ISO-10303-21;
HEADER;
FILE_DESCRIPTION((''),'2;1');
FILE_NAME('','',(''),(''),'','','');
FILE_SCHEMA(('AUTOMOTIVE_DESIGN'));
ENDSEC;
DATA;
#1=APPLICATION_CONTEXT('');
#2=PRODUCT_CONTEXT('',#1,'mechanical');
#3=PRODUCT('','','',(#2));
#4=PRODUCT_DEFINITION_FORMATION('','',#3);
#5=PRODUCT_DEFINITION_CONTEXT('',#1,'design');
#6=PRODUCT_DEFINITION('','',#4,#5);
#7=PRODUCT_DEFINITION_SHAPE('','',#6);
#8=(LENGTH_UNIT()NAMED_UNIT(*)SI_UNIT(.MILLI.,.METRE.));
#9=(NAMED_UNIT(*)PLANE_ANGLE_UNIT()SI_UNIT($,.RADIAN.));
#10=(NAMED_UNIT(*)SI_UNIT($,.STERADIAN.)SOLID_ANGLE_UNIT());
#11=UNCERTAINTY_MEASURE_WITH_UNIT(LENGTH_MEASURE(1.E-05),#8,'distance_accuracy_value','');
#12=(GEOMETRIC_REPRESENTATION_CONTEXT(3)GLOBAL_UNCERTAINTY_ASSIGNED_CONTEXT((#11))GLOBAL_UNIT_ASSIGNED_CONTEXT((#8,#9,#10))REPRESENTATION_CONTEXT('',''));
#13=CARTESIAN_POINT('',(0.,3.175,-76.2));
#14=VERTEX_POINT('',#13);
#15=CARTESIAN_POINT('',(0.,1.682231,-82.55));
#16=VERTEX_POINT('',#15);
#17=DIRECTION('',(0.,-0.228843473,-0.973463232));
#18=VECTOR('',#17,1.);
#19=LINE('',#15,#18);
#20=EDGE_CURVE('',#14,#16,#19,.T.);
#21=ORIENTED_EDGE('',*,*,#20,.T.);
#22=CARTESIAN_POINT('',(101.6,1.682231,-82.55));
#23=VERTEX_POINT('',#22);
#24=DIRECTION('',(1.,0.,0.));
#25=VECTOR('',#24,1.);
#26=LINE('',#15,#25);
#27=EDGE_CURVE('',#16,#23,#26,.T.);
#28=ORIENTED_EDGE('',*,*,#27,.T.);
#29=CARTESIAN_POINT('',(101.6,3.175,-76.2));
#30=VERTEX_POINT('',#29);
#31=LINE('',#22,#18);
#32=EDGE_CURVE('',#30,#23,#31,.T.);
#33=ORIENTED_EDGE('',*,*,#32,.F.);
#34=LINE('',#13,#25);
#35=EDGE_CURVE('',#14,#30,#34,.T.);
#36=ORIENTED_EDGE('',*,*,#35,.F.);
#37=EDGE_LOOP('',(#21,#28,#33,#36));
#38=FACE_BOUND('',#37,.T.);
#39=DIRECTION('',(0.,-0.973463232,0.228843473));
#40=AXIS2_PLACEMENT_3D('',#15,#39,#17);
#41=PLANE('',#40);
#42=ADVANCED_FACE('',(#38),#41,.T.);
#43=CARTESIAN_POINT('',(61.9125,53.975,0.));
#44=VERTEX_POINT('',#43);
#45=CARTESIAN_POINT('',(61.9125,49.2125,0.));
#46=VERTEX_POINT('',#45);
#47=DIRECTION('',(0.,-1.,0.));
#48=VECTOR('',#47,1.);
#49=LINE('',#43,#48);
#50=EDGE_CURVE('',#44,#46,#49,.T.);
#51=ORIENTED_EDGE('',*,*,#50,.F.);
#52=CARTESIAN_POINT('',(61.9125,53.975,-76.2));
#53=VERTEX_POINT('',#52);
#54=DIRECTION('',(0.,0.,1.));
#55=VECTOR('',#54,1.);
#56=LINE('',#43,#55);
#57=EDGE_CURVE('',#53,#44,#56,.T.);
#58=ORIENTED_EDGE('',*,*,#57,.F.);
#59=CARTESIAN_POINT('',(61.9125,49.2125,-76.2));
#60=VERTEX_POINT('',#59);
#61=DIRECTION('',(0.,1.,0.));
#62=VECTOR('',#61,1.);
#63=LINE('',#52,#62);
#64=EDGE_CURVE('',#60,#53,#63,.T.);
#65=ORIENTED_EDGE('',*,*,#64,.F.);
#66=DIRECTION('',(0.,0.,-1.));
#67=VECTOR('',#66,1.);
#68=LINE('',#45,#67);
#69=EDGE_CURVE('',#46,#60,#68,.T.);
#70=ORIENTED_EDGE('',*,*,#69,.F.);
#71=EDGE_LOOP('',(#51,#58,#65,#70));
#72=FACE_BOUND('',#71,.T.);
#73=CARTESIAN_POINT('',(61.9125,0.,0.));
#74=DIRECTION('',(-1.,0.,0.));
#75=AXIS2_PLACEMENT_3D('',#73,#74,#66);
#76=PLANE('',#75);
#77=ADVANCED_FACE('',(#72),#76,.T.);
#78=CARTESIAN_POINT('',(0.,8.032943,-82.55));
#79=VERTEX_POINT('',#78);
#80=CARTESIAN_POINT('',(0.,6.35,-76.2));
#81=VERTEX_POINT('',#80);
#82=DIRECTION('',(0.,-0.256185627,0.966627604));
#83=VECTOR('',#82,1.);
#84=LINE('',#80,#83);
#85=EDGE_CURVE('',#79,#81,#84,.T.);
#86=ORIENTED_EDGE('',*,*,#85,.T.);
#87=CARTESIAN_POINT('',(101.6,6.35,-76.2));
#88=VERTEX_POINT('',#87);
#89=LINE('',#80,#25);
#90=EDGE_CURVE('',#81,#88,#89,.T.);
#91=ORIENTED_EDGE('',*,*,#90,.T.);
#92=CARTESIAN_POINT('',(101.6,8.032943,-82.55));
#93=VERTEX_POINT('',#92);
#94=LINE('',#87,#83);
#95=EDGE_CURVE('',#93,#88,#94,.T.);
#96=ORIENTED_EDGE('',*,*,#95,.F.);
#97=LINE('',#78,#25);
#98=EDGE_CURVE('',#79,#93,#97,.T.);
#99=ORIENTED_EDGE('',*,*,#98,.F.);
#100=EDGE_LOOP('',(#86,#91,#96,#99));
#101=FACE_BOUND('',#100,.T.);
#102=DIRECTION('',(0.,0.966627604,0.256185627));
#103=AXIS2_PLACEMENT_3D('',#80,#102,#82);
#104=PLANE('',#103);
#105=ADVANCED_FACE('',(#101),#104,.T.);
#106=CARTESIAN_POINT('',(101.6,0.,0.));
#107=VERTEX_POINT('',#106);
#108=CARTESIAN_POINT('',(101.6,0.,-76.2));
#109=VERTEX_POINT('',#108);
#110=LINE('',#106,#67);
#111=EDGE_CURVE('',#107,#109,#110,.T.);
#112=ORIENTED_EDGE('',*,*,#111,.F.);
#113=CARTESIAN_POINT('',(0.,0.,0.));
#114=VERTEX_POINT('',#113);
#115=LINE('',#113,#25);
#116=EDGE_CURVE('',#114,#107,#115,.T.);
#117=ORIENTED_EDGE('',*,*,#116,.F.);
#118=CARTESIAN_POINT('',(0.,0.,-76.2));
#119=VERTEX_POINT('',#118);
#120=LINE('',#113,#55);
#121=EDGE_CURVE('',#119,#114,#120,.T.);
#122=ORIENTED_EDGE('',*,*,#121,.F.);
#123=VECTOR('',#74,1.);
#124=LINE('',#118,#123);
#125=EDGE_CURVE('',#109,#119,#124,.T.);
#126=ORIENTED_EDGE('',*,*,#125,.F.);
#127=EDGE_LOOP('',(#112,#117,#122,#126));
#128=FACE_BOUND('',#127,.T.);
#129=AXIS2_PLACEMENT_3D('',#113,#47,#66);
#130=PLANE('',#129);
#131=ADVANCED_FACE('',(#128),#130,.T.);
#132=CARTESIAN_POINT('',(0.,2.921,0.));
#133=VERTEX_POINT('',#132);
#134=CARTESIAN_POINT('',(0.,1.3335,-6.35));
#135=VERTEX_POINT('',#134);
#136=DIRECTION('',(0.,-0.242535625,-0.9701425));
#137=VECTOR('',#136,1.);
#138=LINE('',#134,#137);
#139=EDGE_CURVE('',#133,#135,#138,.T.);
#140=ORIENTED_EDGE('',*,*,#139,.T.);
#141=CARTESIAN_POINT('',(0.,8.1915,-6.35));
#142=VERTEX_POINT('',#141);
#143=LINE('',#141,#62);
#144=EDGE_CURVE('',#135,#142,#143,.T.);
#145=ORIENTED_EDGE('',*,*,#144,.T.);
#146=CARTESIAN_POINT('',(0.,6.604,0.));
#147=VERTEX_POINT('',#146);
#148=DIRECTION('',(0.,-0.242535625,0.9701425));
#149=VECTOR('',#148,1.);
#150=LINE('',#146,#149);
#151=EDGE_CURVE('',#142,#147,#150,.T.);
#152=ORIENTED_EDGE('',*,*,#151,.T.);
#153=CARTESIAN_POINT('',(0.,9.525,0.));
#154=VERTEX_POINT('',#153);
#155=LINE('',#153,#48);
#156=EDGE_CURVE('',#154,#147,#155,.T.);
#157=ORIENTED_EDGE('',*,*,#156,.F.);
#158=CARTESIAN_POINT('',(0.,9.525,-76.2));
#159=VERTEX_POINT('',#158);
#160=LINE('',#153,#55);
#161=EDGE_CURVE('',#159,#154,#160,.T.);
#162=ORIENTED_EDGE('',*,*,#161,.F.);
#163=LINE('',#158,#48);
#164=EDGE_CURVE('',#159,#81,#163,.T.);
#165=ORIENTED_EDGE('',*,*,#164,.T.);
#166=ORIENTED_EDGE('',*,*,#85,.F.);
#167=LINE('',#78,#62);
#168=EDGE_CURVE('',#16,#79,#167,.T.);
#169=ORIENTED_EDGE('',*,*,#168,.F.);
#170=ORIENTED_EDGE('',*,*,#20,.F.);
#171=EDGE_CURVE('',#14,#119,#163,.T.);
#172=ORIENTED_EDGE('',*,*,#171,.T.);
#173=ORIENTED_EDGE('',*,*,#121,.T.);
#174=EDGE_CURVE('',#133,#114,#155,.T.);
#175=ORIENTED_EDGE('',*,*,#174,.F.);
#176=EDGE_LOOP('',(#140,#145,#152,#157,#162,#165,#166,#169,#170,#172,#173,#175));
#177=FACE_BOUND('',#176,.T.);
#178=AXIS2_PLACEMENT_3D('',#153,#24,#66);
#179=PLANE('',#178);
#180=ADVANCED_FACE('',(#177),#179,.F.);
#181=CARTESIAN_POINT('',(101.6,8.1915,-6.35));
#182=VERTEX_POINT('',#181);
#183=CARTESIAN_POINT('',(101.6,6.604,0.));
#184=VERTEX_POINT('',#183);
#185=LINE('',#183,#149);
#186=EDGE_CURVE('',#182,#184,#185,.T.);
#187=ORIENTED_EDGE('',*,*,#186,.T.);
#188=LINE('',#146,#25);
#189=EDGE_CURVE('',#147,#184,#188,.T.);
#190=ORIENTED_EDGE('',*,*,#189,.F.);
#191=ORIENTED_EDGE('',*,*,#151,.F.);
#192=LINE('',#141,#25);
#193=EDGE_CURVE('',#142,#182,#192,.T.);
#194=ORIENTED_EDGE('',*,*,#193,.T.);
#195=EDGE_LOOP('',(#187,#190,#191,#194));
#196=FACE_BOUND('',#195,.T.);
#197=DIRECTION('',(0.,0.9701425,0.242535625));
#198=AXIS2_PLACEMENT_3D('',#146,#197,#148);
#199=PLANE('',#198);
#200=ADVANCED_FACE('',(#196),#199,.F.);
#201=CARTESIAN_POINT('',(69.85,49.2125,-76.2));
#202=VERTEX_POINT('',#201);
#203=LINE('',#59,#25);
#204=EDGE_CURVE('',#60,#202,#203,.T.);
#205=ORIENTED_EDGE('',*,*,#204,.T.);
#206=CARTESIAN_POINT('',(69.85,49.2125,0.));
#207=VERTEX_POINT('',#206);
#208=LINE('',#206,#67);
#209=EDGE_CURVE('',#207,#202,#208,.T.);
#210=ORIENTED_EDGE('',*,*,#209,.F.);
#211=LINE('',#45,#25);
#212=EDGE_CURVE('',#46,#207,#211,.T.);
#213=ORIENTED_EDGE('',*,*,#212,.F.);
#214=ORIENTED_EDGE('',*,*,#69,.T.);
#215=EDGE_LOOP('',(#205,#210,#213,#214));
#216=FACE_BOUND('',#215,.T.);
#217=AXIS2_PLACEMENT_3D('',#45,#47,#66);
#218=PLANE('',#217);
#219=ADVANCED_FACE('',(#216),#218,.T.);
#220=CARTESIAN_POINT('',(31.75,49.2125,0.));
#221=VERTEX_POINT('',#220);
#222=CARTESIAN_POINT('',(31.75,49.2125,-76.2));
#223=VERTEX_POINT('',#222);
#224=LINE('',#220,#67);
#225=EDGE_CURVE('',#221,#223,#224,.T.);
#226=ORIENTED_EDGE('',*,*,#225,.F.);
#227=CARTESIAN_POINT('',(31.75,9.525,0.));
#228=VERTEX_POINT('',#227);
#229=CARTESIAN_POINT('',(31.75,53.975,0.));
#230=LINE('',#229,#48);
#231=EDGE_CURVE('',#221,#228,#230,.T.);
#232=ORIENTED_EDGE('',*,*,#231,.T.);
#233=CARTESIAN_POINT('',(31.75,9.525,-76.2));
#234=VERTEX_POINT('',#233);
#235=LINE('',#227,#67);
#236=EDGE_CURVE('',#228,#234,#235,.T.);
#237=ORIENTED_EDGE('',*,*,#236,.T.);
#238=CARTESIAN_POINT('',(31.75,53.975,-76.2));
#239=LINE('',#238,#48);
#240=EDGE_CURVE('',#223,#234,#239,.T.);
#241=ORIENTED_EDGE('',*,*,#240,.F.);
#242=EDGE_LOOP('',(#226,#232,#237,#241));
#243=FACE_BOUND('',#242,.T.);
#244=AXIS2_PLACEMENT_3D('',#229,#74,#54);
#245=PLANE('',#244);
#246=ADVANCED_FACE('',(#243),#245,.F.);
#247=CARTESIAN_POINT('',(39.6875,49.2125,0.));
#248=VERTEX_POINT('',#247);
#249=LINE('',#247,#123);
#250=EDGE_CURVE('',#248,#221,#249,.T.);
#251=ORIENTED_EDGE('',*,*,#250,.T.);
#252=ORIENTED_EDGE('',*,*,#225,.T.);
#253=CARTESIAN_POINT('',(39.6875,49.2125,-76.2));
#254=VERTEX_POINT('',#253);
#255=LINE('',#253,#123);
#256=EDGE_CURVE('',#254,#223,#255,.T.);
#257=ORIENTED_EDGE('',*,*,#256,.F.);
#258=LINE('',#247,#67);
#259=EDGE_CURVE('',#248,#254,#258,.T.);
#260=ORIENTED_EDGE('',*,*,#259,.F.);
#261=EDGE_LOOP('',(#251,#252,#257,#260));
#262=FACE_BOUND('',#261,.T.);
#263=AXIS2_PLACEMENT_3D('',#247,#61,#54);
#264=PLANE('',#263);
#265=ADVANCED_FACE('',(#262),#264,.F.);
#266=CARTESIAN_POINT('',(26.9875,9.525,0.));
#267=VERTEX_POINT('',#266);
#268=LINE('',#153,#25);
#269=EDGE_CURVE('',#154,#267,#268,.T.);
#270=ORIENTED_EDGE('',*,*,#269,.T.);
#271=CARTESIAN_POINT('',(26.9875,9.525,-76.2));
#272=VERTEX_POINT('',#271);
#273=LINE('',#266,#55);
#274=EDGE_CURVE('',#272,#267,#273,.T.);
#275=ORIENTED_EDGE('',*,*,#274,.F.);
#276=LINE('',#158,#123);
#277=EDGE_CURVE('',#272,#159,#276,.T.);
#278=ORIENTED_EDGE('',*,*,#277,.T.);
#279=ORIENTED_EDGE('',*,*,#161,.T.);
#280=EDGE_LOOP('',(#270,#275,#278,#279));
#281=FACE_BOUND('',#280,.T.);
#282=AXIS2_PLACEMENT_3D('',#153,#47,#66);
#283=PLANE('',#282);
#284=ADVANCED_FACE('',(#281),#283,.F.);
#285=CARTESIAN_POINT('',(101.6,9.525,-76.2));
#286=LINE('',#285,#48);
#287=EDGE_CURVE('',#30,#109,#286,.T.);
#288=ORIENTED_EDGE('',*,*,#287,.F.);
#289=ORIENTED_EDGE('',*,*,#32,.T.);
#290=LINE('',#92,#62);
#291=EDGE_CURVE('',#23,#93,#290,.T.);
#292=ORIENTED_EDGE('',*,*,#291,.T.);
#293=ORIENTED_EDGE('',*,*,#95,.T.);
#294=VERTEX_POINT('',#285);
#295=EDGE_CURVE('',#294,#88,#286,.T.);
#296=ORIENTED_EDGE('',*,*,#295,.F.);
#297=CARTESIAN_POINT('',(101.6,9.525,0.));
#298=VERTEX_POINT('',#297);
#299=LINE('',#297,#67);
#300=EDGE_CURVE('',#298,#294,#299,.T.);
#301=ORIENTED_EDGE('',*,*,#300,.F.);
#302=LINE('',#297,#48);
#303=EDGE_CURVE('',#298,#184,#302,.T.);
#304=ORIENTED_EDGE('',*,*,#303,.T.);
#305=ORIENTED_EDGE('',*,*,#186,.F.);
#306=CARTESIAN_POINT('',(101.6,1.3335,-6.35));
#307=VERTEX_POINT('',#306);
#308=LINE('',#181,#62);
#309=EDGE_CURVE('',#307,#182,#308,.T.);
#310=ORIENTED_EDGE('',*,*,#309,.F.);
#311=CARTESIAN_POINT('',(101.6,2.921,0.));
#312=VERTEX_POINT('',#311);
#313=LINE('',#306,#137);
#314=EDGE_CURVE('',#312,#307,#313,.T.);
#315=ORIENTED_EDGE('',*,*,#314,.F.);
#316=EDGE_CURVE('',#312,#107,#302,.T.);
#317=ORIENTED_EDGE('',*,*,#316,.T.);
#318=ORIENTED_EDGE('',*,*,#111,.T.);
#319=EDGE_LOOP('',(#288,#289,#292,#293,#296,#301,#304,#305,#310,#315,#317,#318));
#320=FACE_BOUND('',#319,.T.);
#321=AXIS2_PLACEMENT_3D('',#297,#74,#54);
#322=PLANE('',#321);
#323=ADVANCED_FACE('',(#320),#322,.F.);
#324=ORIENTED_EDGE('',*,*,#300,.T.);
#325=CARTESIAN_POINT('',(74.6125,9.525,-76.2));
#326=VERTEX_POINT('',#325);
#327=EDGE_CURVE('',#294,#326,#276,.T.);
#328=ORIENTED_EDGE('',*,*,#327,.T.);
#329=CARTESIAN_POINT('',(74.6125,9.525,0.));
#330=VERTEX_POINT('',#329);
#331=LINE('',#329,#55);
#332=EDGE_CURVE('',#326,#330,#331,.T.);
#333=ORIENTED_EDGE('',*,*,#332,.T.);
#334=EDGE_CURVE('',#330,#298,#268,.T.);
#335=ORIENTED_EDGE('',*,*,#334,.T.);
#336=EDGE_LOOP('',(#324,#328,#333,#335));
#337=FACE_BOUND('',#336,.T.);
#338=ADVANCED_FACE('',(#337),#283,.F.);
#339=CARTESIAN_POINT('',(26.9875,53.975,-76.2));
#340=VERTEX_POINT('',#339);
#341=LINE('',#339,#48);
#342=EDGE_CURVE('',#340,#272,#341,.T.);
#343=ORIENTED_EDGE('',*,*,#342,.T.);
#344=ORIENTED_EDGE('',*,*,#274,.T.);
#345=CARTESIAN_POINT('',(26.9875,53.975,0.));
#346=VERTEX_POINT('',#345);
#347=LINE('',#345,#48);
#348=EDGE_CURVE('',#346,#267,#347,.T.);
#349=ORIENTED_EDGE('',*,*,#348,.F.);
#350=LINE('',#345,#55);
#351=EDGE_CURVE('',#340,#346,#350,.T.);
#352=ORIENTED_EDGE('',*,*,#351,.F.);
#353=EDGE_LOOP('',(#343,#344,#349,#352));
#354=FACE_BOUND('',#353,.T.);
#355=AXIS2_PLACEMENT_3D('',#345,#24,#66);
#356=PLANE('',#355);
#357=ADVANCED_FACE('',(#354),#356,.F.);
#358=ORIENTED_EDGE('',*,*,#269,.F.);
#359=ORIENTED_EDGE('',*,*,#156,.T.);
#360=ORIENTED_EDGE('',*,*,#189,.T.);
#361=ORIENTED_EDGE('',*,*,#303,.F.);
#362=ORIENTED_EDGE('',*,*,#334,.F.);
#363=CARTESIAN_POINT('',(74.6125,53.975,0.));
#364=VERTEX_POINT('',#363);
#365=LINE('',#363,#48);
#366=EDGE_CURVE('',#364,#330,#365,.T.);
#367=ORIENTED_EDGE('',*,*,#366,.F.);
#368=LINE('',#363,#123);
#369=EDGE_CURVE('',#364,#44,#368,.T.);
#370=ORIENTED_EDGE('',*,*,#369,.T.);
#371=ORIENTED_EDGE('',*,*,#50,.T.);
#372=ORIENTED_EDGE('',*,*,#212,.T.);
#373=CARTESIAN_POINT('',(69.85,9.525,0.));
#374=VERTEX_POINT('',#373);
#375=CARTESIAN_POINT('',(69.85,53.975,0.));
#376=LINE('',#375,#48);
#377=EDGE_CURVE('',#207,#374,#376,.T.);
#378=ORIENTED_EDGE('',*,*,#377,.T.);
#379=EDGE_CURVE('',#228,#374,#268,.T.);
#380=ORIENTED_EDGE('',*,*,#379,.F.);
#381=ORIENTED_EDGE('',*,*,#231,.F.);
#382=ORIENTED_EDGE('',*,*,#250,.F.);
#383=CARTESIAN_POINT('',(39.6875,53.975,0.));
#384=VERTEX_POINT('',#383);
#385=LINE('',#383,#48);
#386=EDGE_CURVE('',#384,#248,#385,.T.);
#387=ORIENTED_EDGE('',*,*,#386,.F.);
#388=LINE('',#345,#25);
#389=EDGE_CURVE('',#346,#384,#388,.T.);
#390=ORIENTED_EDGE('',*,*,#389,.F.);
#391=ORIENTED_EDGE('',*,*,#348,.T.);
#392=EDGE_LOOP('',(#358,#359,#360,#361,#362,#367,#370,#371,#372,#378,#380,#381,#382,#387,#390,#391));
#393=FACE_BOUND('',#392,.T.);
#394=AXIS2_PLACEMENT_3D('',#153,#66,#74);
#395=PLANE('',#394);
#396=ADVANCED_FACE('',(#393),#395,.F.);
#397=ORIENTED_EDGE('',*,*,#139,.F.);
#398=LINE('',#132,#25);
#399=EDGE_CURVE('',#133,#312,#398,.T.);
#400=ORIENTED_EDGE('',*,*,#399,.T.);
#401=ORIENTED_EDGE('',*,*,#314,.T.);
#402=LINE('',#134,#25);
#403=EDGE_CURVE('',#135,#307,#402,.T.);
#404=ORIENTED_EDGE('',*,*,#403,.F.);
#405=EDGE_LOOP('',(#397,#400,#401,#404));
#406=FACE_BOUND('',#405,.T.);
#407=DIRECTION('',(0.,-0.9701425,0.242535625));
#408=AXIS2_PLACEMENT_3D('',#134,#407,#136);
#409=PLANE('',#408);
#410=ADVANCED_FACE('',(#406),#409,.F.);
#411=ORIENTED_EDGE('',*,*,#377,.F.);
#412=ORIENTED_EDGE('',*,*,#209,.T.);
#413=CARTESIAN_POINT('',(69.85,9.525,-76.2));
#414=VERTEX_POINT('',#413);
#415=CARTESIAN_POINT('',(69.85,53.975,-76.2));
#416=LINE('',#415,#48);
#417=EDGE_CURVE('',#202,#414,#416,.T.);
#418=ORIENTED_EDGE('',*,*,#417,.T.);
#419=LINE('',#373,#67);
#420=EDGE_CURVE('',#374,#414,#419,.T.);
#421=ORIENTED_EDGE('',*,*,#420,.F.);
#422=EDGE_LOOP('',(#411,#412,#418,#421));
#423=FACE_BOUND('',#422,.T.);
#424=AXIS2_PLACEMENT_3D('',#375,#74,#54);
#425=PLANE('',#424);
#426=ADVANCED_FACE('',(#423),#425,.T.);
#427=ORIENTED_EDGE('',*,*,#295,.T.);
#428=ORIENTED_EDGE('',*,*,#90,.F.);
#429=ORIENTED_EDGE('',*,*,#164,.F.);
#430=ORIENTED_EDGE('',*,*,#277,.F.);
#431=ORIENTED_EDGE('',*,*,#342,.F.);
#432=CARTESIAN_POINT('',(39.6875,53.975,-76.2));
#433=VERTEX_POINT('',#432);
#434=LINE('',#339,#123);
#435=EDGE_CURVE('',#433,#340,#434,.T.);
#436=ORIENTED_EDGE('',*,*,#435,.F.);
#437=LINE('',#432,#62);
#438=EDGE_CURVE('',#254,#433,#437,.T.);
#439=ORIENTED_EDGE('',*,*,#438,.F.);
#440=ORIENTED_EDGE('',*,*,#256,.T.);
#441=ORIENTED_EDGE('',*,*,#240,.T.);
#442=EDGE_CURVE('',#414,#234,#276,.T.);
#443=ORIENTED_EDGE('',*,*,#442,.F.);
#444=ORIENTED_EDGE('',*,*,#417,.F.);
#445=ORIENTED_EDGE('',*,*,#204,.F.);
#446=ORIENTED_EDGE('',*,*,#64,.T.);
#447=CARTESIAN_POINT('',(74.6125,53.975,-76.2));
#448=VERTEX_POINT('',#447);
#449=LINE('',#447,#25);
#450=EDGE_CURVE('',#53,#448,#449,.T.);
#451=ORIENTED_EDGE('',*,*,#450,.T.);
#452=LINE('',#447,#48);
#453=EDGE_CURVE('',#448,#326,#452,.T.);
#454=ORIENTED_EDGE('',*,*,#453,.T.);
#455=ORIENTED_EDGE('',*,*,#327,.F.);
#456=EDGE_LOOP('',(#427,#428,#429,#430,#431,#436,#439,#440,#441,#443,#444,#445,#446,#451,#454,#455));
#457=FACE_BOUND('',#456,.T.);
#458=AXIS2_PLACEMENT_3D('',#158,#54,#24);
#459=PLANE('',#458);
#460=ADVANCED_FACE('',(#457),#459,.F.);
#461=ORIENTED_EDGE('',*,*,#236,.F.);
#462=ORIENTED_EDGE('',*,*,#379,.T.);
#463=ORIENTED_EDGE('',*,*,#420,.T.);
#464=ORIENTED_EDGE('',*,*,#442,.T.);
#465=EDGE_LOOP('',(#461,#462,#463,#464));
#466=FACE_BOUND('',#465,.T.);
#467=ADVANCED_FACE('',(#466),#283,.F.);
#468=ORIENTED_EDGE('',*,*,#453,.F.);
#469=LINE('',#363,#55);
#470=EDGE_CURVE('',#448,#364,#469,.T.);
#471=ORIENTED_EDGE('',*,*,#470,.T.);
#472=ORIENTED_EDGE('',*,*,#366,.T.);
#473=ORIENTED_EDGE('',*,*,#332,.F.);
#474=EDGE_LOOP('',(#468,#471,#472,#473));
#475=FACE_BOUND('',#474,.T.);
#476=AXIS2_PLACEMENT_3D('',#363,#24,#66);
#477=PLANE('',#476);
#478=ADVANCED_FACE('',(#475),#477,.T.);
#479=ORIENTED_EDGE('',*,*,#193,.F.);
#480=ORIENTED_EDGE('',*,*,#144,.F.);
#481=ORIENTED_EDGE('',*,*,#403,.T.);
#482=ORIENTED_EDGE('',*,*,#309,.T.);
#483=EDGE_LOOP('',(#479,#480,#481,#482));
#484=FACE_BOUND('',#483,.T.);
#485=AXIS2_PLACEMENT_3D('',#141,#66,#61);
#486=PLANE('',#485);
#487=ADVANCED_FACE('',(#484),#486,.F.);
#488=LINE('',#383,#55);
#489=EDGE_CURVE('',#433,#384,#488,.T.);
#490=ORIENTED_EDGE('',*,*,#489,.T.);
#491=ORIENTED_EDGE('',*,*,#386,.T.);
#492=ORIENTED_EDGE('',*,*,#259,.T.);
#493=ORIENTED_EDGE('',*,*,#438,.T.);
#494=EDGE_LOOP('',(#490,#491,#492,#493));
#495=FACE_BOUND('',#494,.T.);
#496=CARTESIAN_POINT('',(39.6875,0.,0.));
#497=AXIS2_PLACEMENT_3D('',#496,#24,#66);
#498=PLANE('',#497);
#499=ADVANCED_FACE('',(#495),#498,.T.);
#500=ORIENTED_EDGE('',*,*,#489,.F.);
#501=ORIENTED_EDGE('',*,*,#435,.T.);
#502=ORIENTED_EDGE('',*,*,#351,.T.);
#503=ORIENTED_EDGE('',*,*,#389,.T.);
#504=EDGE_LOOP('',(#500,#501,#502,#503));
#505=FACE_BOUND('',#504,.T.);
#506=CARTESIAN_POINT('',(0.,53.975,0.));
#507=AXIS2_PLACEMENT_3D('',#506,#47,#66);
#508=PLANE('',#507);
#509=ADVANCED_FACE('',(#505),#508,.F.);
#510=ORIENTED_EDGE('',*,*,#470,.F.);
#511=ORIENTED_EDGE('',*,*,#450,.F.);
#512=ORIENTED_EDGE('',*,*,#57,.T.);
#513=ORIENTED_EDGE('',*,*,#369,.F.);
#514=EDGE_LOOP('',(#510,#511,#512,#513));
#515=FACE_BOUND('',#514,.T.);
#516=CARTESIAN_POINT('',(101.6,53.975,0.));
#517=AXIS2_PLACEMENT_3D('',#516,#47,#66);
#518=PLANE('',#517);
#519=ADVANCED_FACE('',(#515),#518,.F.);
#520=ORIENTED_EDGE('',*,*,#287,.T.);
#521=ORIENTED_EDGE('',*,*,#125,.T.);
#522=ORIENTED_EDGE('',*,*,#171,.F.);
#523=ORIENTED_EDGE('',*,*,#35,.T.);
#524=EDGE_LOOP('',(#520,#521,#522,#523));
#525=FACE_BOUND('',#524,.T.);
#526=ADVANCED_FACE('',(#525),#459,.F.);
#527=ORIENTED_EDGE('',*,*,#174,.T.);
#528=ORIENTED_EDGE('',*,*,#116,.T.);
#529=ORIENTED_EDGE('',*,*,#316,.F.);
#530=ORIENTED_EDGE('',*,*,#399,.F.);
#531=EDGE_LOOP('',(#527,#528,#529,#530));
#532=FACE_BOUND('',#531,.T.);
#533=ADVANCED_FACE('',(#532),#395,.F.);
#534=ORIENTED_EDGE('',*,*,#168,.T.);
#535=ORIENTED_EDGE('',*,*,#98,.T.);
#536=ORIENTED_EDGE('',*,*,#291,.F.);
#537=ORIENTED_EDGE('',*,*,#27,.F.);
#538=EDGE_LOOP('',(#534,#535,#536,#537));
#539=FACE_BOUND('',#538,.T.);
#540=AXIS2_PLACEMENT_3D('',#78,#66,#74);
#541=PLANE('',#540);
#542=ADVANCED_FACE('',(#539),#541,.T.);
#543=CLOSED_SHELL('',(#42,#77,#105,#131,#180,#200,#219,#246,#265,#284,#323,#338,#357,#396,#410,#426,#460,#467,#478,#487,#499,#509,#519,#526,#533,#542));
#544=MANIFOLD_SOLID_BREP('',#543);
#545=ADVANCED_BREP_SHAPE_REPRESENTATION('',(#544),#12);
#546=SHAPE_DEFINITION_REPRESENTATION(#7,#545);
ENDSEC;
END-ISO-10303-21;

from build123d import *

# Parameters (mm, degrees)
SKETCH1_W           = 101.6
SKETCH1_H           = 76.2
BOSS_EXTRUDE1_DEPTH = 9.525
SKETCH2_W           = 4.7625
SKETCH2_H           = 76.2
BOSS_EXTRUDE2_DEPTH = 44.45
SKETCH3_W           = 76.2
SKETCH3_H           = 4.7625
BOSS_EXTRUDE3_DEPTH = 7.9375
BOSS_EXTRUDE4_DEPTH = 101.6
CUT_EXTRUDE1_DEPTH  = 142.599304818


with BuildPart() as part:
    # Sketch1 → Boss-Extrude1 (new body)
    with BuildSketch(Plane(origin=(0, 0, 0), x_dir=(1, 0, 0), z_dir=(0, 1, 0))):
        with Locations((50.8, 38.1)):
            Rectangle(SKETCH1_W, SKETCH1_H)
    extrude(amount=BOSS_EXTRUDE1_DEPTH)

    # Sketch2 → Boss-Extrude2 (add)
    with BuildSketch(Plane(origin=(0, 9.525, 0), x_dir=(1, 0, 0), z_dir=(0, 1, 0))):
        with Locations((29.36875, 38.1)):
            Rectangle(SKETCH2_W, SKETCH2_H)
    boss_extrude2 = extrude(amount=BOSS_EXTRUDE2_DEPTH)

    # Sketch3 → Boss-Extrude3 (add)
    with BuildSketch(Plane(origin=(31.75, 0, 0), x_dir=(0, 0, -1), z_dir=(1, 0, 0))):
        with Locations((38.1, 51.59375)):
            Rectangle(SKETCH3_W, SKETCH3_H)
    boss_extrude3 = extrude(amount=BOSS_EXTRUDE3_DEPTH)

    # Mirror1: Boss-Extrude2, Boss-Extrude3 across plane
    add(boss_extrude2.mirror(Plane(origin=(50.8, 0, 0), x_dir=(0, 0, 1), z_dir=(1, 0, 0))))
    add(boss_extrude3.mirror(Plane(origin=(50.8, 0, 0), x_dir=(0, 0, 1), z_dir=(1, 0, 0))))

    # Sketch7 → Boss-Extrude4 (add)
    with BuildSketch(Plane(origin=(101.6, 0, 0), x_dir=(0, 0, -1), z_dir=(1, 0, 0))):
        Polygon((76.2, 3.175), (76.2, 6.35), (82.55, 8.03294256), (82.55, 1.682230673), align=None)
    extrude(amount=-BOSS_EXTRUDE4_DEPTH)

    # Sketch9 → Cut-Extrude1 (cut, through all)
    with BuildSketch(Plane(origin=(101.6, 0, 0), x_dir=(0, 0, -1), z_dir=(1, 0, 0))):
        Polygon((0, 2.921), (0, 6.604), (6.35, 8.1915), (6.35, 1.3335), align=None)
    extrude(amount=-CUT_EXTRUDE1_DEPTH, mode=Mode.SUBTRACT)


solid = part.part
